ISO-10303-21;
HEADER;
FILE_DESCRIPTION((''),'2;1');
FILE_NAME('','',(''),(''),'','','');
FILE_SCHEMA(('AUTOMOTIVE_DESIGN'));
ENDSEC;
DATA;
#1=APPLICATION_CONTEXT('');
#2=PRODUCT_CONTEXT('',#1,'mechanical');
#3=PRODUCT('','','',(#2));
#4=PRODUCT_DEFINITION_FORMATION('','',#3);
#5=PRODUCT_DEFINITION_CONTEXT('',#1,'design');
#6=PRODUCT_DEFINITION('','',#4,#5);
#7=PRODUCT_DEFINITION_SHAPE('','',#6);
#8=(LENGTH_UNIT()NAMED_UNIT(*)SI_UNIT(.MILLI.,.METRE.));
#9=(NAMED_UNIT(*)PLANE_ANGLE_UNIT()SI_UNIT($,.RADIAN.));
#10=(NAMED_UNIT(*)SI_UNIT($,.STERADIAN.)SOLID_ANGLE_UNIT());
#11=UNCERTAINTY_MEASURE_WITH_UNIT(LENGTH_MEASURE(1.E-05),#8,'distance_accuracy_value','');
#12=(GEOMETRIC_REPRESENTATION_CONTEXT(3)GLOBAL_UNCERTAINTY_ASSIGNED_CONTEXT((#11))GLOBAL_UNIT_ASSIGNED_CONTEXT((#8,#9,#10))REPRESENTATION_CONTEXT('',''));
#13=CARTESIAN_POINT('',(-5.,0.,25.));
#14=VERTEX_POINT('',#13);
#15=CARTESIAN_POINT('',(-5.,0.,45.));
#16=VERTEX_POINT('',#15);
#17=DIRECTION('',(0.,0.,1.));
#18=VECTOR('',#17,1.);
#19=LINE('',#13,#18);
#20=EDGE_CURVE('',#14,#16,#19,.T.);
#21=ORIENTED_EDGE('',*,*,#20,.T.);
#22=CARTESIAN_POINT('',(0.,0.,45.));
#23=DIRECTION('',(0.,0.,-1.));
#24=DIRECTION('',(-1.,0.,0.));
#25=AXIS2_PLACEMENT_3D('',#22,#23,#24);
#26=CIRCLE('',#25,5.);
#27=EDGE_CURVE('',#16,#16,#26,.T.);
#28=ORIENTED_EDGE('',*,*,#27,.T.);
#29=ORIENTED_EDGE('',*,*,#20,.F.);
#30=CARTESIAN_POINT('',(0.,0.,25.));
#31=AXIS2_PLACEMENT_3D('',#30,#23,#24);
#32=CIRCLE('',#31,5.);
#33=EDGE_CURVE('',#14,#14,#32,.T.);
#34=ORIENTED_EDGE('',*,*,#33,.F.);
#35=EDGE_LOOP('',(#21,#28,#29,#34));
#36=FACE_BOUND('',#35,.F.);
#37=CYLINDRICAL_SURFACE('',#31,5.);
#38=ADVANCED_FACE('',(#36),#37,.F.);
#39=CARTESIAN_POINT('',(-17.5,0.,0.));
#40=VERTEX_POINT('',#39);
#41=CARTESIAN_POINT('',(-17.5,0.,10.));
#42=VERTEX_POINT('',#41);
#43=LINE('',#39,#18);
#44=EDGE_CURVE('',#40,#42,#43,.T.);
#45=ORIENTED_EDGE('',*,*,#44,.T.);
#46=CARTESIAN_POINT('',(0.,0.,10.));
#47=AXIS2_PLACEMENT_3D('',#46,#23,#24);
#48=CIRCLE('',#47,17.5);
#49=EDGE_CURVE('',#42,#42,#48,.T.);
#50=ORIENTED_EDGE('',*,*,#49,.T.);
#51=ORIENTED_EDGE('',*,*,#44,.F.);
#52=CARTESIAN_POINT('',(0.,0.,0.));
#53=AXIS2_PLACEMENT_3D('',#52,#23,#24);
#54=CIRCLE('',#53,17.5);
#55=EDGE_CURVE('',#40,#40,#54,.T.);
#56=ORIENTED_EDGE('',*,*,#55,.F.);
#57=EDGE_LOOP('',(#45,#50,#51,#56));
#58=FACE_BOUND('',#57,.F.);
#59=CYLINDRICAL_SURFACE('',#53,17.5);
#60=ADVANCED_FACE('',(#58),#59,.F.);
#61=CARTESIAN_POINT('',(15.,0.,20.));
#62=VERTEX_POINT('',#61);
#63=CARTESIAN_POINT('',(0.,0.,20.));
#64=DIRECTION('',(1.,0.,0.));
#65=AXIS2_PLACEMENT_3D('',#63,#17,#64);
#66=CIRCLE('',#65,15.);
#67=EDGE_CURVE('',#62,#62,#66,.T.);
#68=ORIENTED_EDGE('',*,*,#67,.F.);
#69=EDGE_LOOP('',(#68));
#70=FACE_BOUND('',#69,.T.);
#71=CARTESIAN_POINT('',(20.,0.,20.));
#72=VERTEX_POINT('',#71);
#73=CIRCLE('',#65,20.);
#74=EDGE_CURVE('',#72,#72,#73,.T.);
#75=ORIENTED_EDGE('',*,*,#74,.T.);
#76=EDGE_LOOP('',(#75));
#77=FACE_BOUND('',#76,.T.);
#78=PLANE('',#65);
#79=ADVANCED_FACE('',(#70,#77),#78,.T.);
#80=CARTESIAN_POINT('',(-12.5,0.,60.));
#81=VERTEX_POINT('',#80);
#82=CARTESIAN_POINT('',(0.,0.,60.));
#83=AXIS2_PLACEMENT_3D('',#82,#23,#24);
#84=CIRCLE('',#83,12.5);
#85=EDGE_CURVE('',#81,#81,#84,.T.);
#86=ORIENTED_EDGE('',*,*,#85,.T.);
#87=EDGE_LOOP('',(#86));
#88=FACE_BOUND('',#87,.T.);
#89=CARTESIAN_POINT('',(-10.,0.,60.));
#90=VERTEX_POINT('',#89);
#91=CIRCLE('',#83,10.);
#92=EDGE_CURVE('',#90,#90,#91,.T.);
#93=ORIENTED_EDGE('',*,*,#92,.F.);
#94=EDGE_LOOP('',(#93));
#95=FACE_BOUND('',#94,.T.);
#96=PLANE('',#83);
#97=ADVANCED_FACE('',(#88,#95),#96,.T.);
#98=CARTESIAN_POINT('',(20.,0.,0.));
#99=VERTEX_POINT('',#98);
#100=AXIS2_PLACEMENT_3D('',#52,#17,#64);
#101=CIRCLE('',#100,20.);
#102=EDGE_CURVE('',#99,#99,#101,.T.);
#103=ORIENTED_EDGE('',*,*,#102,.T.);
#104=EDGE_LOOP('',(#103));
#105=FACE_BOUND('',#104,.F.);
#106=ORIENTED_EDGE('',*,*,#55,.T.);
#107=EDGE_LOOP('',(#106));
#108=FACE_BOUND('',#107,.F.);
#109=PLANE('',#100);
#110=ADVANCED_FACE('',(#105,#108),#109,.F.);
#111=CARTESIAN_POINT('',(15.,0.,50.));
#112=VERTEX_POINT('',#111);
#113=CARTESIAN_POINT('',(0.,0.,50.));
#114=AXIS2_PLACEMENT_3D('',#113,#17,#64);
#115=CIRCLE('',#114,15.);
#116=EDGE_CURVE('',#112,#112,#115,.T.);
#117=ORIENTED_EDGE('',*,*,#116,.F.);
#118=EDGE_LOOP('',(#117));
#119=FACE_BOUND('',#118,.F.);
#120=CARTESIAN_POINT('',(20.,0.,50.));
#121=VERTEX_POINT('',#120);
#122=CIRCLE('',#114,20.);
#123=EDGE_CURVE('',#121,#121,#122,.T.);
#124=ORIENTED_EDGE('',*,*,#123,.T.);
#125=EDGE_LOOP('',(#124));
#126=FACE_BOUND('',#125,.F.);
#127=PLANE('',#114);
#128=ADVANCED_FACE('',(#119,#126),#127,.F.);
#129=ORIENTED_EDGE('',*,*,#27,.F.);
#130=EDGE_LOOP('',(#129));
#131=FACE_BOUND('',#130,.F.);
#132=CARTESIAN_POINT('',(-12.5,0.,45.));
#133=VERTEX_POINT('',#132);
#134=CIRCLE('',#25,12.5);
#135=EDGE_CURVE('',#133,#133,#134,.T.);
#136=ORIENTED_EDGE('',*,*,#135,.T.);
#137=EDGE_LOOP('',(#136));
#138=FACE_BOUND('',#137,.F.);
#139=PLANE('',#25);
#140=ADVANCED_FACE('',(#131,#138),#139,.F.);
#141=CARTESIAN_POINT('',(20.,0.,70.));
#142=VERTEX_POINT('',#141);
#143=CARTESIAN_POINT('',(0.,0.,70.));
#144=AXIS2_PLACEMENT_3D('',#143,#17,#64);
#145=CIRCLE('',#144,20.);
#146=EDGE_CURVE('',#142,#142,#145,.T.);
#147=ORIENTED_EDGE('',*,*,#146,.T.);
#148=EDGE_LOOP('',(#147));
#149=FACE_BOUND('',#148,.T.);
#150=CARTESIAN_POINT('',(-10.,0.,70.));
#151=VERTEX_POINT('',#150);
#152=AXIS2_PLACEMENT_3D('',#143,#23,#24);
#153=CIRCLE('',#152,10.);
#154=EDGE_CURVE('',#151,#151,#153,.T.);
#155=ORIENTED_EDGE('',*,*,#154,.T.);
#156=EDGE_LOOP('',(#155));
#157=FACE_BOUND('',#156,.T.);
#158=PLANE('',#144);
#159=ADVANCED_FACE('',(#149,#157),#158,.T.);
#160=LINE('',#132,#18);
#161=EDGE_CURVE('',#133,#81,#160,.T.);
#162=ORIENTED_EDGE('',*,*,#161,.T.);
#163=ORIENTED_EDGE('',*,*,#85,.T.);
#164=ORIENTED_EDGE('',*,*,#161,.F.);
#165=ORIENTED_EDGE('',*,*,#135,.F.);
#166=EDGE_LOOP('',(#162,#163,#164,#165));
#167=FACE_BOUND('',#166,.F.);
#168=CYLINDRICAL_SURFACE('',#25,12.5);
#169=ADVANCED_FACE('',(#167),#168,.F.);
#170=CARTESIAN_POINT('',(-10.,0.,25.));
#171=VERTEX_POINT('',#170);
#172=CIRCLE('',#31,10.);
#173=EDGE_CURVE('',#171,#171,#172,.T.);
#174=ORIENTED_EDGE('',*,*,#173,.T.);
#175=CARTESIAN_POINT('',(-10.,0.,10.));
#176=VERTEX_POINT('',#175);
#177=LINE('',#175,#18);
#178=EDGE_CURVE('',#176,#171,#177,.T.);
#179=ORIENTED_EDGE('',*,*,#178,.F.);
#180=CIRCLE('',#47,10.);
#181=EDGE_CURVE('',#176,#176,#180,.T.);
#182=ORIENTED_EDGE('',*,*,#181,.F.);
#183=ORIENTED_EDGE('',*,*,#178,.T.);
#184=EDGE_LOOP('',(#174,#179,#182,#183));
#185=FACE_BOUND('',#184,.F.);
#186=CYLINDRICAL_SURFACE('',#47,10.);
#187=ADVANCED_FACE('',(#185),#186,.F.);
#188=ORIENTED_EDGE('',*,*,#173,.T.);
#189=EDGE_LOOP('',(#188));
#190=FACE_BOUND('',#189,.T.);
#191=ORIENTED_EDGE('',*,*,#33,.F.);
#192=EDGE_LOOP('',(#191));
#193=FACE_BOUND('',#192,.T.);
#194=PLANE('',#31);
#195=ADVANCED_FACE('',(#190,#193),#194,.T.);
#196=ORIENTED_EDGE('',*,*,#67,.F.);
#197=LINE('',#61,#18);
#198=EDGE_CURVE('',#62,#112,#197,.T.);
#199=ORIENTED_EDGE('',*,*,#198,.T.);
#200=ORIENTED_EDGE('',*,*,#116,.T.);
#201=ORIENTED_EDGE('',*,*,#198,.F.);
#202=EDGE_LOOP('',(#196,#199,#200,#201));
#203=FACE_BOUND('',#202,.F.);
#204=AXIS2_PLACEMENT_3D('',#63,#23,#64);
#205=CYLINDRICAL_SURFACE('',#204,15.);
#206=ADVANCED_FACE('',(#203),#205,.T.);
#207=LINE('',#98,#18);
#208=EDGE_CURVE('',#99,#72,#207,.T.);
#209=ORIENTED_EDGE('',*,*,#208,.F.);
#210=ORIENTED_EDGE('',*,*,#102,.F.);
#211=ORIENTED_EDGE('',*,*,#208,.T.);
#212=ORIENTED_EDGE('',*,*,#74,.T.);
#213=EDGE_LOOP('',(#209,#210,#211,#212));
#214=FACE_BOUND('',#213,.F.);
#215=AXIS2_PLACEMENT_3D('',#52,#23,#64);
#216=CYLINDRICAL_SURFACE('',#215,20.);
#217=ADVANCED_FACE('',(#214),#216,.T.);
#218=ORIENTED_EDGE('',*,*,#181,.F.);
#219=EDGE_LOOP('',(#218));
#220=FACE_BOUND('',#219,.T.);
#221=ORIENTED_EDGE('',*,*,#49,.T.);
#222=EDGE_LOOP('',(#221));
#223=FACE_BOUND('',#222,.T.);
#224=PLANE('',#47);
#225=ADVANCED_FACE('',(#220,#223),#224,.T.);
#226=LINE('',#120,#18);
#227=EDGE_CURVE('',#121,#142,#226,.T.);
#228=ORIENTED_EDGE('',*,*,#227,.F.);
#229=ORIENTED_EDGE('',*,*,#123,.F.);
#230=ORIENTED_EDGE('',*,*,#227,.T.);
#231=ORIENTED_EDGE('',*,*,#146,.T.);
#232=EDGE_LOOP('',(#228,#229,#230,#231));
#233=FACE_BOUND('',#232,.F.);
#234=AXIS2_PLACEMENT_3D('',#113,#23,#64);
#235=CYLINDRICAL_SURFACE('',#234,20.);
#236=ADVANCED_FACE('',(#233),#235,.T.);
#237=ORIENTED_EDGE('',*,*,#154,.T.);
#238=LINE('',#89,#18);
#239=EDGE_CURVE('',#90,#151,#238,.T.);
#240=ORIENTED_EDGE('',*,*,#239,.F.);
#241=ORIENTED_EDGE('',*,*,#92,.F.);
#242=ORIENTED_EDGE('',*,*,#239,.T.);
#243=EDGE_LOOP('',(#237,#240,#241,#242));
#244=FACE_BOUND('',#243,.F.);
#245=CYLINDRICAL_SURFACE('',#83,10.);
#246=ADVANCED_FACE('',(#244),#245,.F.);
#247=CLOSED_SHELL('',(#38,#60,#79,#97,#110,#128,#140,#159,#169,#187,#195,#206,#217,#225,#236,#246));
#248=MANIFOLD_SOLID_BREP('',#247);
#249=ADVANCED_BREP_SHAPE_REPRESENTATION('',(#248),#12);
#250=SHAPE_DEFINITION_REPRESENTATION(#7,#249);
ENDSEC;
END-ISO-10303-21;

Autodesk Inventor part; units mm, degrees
ref_plane "YZ Plane" through (0, 0, 0) normal (1, 0, 0) x (0, 1, 0)
ref_plane "XZ Plane" through (0, 0, 0) normal (0, 1, 0) x (-1, 0, 0)
ref_plane "XY Plane" through (0, 0, 0) normal (0, 0, 1) x (1, 0, 0)
sketch "스케치1" plane through (0, 0, 0) normal (0, 0, 1) x (1, 0, 0)
  circle A0 centre (0, 0) radius 20
  dimension "d0" = 40
extrude "돌출1" add sketch "스케치1" along normal blind 20
sketch "스케치2" plane through (0, 0, 20) normal (0, 0, 1) x (1, 0, 0)
  circle A0 centre (0, 0) radius 15
  dimension "d3" = 30
extrude "돌출2" add sketch "스케치2" along normal blind 30
sketch "스케치3" plane through (0, 0, 50) normal (0, 0, 1) x (1, 0, 0)
  circle A0 centre (0, 0) radius 20
  dimension "d6" = 40
extrude "돌출3" add sketch "스케치3" along normal blind 20
sketch "스케치4" plane through (0, 0, 0) normal (0, 0, -1) x (-1, 0, 0)
  circle A0 centre (0, 0) radius 17.5
  dimension "d9" = 35
extrude "돌출4" cut sketch "스케치4" against normal blind 10
sketch "스케치5" plane through (0, 0, 10) normal (0, 0, -1) x (-1, 0, 0)
  circle A0 centre (0, 0) radius 10
  dimension "d12" = 20
extrude "돌출5" cut sketch "스케치5" against normal blind 15
sketch "스케치6" plane through (0, 0, 25) normal (0, 0, -1) x (-1, 0, 0)
  circle A0 centre (0, 0) radius 5
  dimension "d15" = 10
extrude "돌출6" cut sketch "스케치6" against normal blind 20
sketch "스케치9" plane through (0, 0, 45) normal (0, 0, -1) x (-1, 0, 0)
  circle A0 centre (0, 0) radius 12.5
  dimension "d22" = 25
extrude "돌출8" cut sketch "스케치9" against normal blind 15
sketch "스케치10" plane through (0, 0, 60) normal (0, 0, -1) x (-1, 0, 0)
  circle A0 centre (0, 0) radius 10
  dimension "d25" = 20
extrude "돌출9" cut sketch "스케치10" against normal up to next
properties part number "기본 투상 연습1"
